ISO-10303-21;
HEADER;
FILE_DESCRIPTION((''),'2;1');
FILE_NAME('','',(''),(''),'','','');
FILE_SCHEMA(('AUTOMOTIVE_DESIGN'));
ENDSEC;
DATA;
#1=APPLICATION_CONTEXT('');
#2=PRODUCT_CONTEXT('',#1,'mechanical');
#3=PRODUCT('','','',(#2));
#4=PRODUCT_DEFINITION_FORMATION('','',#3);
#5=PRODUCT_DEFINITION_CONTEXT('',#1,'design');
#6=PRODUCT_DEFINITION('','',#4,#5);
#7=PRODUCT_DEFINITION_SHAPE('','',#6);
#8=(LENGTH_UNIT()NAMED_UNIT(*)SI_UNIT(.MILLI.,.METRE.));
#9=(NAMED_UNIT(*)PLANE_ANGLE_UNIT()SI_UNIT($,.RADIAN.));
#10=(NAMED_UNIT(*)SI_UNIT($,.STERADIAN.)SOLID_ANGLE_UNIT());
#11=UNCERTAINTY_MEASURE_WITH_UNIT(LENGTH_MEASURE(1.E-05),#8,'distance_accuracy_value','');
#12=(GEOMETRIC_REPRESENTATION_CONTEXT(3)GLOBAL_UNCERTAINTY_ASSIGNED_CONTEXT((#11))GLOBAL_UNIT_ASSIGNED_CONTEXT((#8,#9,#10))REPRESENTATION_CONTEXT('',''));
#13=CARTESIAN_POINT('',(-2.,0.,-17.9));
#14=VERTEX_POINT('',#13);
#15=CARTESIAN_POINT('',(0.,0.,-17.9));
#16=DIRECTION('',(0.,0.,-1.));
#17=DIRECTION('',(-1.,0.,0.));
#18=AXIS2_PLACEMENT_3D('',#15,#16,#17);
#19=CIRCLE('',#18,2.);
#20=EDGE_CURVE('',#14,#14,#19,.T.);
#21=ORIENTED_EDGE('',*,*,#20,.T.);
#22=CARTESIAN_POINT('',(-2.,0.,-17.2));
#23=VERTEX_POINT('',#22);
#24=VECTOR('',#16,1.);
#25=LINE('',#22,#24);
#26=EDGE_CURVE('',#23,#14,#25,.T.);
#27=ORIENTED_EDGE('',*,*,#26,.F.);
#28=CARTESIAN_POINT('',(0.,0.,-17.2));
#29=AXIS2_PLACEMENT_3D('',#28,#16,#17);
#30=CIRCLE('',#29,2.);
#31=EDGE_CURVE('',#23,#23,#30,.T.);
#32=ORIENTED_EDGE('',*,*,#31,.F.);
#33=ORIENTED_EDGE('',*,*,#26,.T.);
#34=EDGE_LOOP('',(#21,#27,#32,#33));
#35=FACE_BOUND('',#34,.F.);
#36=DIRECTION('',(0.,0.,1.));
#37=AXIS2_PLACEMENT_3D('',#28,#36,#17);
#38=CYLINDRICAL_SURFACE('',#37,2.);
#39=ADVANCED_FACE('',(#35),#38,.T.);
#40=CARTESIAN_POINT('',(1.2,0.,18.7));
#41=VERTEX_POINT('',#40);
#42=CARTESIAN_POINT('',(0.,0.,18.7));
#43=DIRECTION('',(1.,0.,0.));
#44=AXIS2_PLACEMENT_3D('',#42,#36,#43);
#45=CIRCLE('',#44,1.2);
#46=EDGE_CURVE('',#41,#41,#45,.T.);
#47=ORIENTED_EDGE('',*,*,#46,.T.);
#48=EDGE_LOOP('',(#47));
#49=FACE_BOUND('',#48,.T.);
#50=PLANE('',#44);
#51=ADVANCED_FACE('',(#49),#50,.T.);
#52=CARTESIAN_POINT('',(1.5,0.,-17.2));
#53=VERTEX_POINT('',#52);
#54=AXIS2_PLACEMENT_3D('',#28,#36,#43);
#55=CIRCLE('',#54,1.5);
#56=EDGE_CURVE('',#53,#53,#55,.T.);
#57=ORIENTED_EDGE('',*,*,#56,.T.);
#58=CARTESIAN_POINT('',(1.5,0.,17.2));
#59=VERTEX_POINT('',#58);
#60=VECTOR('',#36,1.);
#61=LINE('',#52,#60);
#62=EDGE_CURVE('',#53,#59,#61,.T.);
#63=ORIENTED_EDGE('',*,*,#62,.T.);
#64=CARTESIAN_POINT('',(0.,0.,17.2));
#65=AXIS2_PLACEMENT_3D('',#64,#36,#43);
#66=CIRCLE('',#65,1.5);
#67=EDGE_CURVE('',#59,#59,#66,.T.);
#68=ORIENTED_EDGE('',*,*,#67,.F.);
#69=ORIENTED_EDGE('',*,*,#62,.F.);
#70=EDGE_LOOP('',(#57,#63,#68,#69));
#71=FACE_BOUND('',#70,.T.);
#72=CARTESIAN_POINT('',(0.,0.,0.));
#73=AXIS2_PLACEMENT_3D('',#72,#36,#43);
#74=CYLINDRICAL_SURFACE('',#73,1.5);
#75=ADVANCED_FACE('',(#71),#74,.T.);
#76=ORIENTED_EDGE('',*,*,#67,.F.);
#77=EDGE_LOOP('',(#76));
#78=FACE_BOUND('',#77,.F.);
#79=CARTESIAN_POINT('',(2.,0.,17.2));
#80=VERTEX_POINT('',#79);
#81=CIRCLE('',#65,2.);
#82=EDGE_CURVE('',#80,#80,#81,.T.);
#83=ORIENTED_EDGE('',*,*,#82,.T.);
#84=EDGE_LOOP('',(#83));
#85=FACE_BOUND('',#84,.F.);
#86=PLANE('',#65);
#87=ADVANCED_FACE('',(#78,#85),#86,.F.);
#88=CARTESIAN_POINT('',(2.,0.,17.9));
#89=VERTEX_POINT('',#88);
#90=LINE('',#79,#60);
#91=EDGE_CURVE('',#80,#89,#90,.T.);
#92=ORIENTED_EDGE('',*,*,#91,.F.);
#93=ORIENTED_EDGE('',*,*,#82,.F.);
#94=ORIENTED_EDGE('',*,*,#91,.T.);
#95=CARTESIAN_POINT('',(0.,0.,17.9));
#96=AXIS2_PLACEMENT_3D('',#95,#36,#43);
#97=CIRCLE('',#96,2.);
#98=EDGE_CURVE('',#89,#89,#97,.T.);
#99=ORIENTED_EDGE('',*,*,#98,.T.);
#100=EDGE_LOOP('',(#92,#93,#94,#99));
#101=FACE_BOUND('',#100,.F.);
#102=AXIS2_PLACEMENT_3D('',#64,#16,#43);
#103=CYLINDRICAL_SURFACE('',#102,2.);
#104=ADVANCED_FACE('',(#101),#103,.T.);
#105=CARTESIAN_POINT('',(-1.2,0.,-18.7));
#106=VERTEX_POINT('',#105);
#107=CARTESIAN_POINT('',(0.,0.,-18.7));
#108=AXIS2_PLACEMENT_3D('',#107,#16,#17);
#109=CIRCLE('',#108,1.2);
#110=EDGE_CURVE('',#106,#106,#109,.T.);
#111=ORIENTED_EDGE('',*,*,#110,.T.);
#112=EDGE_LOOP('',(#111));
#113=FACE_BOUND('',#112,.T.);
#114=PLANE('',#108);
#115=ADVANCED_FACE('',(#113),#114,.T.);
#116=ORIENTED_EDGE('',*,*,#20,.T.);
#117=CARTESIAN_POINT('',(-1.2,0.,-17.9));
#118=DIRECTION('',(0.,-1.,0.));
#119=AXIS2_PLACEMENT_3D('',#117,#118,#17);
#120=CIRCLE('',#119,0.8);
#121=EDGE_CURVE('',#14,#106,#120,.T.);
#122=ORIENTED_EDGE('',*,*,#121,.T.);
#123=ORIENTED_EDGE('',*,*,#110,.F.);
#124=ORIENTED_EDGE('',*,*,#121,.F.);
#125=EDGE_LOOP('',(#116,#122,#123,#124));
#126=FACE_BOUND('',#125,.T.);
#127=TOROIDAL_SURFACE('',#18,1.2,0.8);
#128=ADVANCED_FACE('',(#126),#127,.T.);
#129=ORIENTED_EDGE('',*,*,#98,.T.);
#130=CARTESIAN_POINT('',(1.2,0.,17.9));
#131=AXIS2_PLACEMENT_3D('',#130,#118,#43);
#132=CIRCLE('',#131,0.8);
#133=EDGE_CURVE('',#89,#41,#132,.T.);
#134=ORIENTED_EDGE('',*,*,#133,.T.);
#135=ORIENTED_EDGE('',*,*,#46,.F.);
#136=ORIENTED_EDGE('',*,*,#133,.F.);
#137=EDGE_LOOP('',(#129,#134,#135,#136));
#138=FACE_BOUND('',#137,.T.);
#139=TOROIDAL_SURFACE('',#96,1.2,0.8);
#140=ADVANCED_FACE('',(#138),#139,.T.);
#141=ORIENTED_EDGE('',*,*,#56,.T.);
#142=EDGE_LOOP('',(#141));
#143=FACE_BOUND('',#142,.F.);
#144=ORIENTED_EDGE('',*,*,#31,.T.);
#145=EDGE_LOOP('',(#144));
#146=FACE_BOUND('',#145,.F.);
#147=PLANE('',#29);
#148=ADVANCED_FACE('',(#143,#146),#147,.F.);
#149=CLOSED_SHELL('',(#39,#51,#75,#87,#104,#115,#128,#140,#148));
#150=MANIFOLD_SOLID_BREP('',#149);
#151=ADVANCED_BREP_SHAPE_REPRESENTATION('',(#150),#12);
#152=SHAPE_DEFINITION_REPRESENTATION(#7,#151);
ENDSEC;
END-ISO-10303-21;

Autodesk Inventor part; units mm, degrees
ref_plane "YZ Plane" through (0, 0, 0) normal (1, 0, 0) x (0, 1, 0)
sketch "Sketch1" plane through (0, 0, 0) normal (0, 0, 1) x (1, 0, 0)
  circle A0 centre (0, 0) radius 1.5
  dimension "d0" = 3
extrude "Extrusion1" add sketch "Sketch1" along normal mid plane 34.4
ref_plane "Work Plane1" through (0, 0, 17.2) normal (0, 0, 1) x (1, 0, 0)
sketch "Sketch2" plane through (0, 0, 17.2) normal (0, 0, 1) x (1, 0, 0)
  circle A0 centre (0, 0) radius 2
  dimension "d4" = 4
extrude "Extrusion2" add sketch "Sketch2" along normal blind 1.5
ref_plane "Work Plane2" through (0, 0, -17.2) normal (0, 0, -1) x (-1, 0, 0)
sketch "Sketch3" plane through (0, 0, -17.2) normal (0, 0, -1) x (-1, 0, 0)
  circle A0 centre (0, 0) radius 2
extrude "Extrusion3" add sketch "Sketch3" along normal blind 1.5
fillet "Fillet1" radius 0.8 2 edges at (-2, 0, 18.7) (2, 0, -18.7)
properties part number "New_Main_Axle"
